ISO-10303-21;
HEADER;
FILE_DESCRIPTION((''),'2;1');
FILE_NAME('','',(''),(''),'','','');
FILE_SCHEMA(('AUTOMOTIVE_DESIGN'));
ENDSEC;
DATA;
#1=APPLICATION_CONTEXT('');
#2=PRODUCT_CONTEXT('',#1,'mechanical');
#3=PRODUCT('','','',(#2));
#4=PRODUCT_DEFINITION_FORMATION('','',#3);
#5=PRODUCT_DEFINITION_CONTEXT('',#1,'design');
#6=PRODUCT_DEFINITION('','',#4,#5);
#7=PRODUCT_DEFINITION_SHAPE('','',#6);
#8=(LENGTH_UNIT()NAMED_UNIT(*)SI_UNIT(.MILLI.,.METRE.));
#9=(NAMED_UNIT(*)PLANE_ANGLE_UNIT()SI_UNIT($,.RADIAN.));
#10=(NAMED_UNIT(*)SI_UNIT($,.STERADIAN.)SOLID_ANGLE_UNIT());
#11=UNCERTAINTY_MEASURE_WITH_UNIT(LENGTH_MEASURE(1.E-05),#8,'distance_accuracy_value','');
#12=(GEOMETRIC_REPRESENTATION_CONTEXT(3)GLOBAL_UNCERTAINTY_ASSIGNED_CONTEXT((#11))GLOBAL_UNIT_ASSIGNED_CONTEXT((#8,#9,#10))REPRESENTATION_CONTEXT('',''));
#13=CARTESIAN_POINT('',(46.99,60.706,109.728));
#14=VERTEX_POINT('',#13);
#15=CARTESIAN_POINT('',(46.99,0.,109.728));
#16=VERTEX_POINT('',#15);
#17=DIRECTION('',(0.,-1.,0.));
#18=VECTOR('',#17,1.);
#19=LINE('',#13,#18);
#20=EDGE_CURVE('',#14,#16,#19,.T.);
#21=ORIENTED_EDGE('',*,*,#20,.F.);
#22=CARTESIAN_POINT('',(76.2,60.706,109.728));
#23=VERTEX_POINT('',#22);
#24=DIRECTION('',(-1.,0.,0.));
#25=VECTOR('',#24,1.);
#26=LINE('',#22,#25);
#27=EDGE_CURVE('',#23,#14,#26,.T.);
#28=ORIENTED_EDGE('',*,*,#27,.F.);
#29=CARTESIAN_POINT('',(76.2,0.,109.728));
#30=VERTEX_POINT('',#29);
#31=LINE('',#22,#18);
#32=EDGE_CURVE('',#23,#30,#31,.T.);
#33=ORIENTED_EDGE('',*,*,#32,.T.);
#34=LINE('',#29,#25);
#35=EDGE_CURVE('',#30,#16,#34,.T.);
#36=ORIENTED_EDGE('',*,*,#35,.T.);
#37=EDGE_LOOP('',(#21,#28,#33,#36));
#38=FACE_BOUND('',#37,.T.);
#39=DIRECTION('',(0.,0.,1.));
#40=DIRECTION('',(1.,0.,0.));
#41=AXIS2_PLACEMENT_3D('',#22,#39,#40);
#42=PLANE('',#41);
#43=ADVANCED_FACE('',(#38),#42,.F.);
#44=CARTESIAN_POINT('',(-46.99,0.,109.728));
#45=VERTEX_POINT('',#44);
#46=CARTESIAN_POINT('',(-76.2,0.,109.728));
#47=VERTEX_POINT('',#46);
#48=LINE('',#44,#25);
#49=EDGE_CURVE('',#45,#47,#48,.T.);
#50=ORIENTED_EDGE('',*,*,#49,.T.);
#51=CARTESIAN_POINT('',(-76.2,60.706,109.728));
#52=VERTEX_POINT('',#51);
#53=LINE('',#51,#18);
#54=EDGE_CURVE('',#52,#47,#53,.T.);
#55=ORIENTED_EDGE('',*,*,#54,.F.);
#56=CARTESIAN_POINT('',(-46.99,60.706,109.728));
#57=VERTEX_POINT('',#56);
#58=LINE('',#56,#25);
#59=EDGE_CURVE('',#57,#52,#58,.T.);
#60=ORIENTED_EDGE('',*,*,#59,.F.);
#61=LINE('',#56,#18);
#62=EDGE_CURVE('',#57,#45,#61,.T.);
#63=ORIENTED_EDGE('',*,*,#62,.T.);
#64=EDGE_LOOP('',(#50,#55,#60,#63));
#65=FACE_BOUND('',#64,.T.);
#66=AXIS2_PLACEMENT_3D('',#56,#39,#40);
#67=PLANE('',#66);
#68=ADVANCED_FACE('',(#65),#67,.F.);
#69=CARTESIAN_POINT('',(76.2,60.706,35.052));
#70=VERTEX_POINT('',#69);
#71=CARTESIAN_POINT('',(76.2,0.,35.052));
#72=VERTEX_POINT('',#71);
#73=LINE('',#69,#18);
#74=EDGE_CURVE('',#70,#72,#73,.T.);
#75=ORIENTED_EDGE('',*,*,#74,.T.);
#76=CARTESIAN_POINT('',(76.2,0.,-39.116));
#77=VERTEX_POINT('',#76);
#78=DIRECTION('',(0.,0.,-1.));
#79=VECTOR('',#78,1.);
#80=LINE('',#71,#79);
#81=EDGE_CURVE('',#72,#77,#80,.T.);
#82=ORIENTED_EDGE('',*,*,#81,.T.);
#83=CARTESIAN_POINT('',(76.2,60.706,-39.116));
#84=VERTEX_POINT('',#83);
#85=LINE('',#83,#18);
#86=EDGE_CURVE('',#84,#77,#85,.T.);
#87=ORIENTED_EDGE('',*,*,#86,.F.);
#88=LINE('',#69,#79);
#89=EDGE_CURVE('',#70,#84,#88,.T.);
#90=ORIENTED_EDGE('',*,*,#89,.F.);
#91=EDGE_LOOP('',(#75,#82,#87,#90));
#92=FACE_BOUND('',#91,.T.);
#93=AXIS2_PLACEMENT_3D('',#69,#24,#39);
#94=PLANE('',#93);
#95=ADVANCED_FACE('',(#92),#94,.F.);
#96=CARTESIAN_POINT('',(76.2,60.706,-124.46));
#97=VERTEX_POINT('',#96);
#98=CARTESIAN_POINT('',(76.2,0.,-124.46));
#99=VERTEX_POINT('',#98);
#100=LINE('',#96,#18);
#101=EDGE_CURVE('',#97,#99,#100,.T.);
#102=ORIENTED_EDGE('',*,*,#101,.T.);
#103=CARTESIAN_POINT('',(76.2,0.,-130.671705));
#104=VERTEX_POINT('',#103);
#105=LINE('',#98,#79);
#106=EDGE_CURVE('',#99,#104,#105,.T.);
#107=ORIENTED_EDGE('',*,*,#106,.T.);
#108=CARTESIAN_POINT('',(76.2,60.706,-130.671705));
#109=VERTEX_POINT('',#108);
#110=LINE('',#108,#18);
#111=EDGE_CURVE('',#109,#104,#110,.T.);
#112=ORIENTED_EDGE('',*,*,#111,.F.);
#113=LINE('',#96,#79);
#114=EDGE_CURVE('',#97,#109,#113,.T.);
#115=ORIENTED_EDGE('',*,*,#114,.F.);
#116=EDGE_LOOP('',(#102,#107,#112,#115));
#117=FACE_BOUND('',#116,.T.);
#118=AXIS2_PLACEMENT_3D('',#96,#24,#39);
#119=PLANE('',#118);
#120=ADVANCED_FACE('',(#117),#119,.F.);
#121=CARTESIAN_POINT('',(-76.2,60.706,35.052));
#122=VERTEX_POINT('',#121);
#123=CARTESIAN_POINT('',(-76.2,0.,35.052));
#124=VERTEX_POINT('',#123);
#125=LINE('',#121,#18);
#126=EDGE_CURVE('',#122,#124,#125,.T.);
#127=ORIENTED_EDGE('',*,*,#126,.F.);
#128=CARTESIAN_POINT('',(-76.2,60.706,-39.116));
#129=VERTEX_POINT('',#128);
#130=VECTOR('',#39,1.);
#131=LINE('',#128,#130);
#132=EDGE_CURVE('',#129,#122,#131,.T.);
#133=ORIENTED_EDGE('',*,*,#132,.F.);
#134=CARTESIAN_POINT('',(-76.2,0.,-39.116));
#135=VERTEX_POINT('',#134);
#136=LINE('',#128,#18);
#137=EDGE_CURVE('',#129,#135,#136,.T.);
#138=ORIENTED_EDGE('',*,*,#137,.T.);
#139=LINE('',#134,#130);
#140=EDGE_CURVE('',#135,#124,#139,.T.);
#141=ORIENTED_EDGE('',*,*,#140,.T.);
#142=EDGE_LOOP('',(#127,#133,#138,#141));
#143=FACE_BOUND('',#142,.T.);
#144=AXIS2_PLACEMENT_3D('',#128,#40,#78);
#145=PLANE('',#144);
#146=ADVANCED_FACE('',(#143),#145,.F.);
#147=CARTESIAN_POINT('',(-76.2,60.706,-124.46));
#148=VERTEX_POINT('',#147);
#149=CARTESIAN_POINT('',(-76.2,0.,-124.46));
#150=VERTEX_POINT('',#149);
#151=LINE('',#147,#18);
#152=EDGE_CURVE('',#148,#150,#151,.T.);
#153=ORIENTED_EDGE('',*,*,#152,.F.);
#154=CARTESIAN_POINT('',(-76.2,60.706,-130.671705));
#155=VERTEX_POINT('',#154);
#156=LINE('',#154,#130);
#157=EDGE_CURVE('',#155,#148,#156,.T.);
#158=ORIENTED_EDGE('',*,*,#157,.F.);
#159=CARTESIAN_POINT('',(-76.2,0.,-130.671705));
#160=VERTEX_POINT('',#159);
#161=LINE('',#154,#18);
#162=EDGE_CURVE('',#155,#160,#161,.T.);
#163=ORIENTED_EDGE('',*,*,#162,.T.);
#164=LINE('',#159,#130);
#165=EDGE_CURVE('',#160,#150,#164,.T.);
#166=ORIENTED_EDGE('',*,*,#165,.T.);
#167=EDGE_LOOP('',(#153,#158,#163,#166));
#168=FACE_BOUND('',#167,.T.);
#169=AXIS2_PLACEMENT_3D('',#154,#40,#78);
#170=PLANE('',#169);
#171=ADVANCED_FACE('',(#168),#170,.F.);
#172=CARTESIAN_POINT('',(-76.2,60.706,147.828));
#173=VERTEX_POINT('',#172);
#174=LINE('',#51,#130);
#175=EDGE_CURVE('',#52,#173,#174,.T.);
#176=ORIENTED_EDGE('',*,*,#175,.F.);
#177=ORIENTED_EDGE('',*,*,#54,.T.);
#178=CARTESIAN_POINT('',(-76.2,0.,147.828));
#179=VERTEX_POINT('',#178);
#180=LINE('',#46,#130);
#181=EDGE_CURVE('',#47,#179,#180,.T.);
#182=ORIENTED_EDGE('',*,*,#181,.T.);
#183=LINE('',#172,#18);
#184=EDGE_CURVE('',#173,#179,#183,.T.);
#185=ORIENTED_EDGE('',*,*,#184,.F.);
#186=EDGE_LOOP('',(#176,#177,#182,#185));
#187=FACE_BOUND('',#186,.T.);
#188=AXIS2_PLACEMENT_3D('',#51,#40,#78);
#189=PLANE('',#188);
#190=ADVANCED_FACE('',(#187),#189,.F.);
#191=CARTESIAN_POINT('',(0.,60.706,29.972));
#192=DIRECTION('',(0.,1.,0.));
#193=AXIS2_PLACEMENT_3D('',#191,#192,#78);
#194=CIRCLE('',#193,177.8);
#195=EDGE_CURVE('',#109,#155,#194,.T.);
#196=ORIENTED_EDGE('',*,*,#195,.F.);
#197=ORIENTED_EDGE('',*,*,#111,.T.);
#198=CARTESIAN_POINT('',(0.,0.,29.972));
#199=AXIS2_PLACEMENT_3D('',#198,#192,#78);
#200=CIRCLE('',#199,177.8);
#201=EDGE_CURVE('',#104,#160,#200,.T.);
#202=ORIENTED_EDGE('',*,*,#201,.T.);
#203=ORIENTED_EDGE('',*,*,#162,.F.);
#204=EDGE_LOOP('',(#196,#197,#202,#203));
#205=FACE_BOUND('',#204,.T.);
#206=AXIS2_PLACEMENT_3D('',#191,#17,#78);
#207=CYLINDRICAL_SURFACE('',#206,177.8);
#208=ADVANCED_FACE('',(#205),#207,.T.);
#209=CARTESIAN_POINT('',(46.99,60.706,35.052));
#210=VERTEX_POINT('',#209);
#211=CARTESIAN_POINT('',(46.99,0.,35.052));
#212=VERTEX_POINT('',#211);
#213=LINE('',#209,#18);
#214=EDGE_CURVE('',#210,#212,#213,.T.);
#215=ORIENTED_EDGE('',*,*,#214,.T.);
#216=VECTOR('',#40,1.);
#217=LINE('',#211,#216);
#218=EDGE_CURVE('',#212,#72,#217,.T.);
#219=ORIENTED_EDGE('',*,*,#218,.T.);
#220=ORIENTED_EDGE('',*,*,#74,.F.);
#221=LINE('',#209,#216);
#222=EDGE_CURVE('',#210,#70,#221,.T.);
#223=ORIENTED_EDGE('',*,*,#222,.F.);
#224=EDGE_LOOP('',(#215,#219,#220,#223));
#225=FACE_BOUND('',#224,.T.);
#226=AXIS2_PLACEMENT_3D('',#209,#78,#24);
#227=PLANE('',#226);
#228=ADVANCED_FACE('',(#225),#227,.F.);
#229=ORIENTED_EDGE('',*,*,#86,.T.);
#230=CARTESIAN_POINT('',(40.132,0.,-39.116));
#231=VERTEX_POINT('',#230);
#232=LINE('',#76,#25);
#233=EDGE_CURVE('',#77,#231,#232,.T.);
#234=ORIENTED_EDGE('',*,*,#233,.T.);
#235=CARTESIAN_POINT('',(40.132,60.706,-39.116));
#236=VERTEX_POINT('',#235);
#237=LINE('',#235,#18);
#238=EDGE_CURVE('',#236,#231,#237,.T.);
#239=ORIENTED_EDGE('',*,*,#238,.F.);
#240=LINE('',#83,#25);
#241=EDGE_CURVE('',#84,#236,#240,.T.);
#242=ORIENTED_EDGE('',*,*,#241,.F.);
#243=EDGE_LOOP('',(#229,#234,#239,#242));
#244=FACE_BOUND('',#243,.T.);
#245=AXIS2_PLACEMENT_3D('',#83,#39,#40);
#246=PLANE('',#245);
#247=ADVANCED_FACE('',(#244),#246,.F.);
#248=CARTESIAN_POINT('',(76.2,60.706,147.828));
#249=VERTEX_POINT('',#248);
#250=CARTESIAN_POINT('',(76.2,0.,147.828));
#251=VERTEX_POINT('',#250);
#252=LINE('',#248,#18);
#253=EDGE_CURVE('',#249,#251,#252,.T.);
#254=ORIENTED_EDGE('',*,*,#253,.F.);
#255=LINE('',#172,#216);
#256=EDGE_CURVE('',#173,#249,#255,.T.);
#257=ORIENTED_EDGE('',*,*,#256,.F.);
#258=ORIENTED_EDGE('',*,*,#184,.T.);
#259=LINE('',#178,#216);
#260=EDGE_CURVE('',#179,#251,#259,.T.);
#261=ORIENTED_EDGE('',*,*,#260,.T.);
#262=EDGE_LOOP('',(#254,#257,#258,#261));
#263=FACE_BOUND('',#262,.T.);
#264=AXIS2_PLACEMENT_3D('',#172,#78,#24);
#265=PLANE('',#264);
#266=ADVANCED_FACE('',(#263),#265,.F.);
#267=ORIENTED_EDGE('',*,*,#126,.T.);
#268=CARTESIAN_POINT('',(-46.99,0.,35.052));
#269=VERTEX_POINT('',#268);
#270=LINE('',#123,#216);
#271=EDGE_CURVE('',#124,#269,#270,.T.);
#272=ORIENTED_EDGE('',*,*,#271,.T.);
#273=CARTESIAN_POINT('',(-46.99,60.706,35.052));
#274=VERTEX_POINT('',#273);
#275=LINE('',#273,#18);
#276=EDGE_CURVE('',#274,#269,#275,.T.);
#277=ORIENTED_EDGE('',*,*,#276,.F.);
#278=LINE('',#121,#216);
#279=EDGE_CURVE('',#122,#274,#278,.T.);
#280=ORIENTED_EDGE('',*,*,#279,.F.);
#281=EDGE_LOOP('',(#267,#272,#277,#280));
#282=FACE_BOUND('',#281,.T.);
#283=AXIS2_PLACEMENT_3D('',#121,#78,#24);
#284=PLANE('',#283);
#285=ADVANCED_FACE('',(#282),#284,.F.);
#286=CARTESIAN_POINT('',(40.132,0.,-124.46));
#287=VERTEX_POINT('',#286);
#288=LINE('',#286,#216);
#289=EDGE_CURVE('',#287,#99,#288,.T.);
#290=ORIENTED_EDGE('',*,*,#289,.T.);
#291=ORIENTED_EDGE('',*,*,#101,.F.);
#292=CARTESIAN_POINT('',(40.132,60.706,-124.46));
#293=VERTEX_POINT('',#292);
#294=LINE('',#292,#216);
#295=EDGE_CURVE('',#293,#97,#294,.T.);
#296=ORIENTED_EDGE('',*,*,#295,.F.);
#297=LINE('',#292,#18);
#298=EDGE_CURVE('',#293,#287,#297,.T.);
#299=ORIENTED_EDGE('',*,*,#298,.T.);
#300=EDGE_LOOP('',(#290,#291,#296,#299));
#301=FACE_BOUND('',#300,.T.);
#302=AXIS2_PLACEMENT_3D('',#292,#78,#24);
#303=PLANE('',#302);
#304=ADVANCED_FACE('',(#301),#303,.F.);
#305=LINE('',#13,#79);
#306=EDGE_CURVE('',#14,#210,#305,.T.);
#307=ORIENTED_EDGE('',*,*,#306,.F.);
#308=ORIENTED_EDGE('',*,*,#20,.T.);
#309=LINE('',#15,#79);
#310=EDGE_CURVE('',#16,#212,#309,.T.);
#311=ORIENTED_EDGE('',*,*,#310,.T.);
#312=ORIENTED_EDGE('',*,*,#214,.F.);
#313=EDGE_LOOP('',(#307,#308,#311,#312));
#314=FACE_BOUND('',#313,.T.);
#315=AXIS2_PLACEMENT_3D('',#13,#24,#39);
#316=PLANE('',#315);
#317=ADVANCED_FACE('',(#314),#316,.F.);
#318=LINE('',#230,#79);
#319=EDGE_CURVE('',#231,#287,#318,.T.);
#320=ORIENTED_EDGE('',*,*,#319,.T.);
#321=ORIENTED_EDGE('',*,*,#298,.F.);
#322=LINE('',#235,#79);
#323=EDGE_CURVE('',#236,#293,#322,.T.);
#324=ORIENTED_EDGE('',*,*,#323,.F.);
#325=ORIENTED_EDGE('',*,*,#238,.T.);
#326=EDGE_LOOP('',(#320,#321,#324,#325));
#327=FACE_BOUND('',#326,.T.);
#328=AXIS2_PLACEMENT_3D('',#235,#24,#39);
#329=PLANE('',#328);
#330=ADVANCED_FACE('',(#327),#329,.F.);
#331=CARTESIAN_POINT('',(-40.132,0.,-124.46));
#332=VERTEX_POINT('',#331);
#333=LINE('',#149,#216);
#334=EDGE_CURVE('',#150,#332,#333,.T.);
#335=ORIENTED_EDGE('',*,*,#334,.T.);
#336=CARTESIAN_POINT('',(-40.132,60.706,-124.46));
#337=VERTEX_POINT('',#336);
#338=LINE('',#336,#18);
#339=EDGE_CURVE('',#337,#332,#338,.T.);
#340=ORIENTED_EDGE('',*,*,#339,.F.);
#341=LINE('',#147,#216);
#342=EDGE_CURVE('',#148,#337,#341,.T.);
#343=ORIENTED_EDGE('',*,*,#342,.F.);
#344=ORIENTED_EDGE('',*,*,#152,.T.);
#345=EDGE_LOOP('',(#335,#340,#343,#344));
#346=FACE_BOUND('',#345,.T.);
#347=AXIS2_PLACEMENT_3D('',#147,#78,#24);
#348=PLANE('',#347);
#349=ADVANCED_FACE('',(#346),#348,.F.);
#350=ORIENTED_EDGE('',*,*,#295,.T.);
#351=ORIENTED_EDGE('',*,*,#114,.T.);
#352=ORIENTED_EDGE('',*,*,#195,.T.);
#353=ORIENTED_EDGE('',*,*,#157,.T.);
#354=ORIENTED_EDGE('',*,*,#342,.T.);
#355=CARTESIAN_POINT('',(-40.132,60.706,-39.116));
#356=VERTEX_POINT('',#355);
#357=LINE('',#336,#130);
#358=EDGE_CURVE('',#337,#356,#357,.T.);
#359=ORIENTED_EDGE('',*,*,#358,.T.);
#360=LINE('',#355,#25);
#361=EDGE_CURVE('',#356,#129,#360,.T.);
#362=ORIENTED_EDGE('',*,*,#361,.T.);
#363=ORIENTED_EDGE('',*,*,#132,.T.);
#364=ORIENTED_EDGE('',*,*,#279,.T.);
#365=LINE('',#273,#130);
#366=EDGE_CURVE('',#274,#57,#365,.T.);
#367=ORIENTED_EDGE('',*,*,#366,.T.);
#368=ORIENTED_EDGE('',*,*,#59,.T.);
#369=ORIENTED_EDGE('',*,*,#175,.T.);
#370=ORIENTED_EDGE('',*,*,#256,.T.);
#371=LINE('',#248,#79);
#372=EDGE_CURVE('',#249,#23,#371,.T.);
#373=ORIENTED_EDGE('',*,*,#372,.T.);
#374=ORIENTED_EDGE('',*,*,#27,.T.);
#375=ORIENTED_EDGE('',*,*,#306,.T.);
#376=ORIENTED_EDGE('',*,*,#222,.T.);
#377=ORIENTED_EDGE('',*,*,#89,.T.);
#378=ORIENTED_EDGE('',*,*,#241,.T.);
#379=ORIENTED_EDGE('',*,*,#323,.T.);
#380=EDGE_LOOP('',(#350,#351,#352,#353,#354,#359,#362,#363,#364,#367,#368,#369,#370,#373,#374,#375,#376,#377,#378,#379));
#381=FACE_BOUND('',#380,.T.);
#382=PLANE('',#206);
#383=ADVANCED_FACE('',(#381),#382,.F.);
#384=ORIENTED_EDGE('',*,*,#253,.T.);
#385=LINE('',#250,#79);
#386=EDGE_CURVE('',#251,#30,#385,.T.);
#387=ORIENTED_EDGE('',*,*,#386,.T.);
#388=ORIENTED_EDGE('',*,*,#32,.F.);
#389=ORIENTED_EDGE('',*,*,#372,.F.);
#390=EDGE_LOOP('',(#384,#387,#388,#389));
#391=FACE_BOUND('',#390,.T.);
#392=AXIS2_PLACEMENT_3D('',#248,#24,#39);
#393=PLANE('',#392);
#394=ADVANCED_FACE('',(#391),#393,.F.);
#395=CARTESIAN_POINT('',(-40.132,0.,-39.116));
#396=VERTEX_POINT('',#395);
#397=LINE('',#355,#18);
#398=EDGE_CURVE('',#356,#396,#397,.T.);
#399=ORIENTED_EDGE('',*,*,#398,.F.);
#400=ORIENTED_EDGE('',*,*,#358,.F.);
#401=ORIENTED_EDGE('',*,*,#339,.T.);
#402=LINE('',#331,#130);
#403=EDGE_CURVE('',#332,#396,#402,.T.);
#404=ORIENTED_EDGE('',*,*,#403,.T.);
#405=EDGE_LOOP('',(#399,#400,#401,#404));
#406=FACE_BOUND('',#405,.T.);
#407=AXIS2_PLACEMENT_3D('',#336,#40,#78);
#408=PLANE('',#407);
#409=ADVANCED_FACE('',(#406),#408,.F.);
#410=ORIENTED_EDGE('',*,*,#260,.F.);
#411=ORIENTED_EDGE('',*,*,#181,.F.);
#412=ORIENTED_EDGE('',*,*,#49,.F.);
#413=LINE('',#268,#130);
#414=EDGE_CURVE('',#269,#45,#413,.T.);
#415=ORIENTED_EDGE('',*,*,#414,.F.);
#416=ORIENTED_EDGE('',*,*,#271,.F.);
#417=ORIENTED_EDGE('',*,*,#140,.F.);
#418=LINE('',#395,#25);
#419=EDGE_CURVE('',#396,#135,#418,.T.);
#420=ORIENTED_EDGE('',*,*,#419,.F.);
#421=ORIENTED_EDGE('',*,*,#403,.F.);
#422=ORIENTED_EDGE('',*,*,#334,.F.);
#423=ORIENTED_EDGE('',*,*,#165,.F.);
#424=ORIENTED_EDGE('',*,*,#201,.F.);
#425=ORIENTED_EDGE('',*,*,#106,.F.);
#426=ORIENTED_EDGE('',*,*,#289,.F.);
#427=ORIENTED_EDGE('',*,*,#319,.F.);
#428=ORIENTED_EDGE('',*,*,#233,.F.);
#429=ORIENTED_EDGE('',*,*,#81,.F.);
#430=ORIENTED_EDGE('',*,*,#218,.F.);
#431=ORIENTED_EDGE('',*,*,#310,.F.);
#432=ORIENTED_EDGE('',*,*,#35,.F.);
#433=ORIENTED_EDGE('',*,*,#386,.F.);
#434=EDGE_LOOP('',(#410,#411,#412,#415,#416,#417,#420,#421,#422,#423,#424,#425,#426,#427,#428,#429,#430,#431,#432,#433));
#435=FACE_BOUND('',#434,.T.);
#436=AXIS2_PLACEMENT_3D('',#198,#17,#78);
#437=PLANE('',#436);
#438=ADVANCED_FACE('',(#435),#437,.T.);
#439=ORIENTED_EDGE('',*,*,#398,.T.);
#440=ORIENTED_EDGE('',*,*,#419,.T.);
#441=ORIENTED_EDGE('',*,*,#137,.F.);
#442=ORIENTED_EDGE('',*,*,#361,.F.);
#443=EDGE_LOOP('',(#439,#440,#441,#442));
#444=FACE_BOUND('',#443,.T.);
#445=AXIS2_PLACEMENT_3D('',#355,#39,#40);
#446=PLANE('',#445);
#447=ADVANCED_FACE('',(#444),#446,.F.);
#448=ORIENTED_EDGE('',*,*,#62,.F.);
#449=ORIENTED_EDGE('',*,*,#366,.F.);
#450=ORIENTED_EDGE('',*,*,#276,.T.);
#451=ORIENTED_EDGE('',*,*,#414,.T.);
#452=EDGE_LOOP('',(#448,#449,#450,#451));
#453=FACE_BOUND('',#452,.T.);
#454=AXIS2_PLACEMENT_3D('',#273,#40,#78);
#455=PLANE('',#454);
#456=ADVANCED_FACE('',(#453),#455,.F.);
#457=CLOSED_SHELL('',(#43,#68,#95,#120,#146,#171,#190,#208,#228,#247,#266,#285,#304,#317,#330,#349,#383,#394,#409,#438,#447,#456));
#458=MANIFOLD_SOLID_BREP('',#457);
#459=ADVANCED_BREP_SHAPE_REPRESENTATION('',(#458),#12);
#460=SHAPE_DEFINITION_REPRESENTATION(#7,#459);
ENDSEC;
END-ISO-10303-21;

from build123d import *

# Parameters (mm, degrees)
BOSS_EXTRUDE1_DEPTH = 60.706


with BuildPart() as part:
    # Sketch2 → Boss-Extrude1 (new body)
    with BuildSketch(Plane(origin=(0, 0, 0), x_dir=(1, 0, 0), z_dir=(0, 1, 0))):
        with BuildLine():
            Line((-76.2, -147.828), (76.2, -147.828))
            Line((76.2, -147.828), (76.2, -109.728))
            Line((76.2, -109.728), (46.99, -109.728))
            Line((46.99, -109.728), (46.99, -35.052))
            Line((46.99, -35.052), (76.2, -35.052))
            Line((76.2, -35.052), (76.2, 39.116))
            Line((76.2, 39.116), (40.132, 39.116))
            Line((40.132, 39.116), (40.132, 124.46))
            Line((40.132, 124.46), (76.2, 124.46))
            Line((76.2, 124.46), (76.2, 130.671705137))
            ThreePointArc((76.2, 130.671705137), (0, 147.828), (-76.2, 130.671705137))
            Line((-76.2, 130.671705137), (-76.2, 124.46))
            Line((-76.2, 124.46), (-40.132, 124.46))
            Line((-40.132, 124.46), (-40.132, 39.116))
            Line((-40.132, 39.116), (-76.2, 39.116))
            Line((-76.2, 39.116), (-76.2, -35.052))
            Line((-76.2, -35.052), (-46.99, -35.052))
            Line((-46.99, -35.052), (-46.99, -109.728))
            Line((-46.99, -109.728), (-76.2, -109.728))
            Line((-76.2, -109.728), (-76.2, -147.828))
        make_face()
    extrude(amount=BOSS_EXTRUDE1_DEPTH)


solid = part.part
